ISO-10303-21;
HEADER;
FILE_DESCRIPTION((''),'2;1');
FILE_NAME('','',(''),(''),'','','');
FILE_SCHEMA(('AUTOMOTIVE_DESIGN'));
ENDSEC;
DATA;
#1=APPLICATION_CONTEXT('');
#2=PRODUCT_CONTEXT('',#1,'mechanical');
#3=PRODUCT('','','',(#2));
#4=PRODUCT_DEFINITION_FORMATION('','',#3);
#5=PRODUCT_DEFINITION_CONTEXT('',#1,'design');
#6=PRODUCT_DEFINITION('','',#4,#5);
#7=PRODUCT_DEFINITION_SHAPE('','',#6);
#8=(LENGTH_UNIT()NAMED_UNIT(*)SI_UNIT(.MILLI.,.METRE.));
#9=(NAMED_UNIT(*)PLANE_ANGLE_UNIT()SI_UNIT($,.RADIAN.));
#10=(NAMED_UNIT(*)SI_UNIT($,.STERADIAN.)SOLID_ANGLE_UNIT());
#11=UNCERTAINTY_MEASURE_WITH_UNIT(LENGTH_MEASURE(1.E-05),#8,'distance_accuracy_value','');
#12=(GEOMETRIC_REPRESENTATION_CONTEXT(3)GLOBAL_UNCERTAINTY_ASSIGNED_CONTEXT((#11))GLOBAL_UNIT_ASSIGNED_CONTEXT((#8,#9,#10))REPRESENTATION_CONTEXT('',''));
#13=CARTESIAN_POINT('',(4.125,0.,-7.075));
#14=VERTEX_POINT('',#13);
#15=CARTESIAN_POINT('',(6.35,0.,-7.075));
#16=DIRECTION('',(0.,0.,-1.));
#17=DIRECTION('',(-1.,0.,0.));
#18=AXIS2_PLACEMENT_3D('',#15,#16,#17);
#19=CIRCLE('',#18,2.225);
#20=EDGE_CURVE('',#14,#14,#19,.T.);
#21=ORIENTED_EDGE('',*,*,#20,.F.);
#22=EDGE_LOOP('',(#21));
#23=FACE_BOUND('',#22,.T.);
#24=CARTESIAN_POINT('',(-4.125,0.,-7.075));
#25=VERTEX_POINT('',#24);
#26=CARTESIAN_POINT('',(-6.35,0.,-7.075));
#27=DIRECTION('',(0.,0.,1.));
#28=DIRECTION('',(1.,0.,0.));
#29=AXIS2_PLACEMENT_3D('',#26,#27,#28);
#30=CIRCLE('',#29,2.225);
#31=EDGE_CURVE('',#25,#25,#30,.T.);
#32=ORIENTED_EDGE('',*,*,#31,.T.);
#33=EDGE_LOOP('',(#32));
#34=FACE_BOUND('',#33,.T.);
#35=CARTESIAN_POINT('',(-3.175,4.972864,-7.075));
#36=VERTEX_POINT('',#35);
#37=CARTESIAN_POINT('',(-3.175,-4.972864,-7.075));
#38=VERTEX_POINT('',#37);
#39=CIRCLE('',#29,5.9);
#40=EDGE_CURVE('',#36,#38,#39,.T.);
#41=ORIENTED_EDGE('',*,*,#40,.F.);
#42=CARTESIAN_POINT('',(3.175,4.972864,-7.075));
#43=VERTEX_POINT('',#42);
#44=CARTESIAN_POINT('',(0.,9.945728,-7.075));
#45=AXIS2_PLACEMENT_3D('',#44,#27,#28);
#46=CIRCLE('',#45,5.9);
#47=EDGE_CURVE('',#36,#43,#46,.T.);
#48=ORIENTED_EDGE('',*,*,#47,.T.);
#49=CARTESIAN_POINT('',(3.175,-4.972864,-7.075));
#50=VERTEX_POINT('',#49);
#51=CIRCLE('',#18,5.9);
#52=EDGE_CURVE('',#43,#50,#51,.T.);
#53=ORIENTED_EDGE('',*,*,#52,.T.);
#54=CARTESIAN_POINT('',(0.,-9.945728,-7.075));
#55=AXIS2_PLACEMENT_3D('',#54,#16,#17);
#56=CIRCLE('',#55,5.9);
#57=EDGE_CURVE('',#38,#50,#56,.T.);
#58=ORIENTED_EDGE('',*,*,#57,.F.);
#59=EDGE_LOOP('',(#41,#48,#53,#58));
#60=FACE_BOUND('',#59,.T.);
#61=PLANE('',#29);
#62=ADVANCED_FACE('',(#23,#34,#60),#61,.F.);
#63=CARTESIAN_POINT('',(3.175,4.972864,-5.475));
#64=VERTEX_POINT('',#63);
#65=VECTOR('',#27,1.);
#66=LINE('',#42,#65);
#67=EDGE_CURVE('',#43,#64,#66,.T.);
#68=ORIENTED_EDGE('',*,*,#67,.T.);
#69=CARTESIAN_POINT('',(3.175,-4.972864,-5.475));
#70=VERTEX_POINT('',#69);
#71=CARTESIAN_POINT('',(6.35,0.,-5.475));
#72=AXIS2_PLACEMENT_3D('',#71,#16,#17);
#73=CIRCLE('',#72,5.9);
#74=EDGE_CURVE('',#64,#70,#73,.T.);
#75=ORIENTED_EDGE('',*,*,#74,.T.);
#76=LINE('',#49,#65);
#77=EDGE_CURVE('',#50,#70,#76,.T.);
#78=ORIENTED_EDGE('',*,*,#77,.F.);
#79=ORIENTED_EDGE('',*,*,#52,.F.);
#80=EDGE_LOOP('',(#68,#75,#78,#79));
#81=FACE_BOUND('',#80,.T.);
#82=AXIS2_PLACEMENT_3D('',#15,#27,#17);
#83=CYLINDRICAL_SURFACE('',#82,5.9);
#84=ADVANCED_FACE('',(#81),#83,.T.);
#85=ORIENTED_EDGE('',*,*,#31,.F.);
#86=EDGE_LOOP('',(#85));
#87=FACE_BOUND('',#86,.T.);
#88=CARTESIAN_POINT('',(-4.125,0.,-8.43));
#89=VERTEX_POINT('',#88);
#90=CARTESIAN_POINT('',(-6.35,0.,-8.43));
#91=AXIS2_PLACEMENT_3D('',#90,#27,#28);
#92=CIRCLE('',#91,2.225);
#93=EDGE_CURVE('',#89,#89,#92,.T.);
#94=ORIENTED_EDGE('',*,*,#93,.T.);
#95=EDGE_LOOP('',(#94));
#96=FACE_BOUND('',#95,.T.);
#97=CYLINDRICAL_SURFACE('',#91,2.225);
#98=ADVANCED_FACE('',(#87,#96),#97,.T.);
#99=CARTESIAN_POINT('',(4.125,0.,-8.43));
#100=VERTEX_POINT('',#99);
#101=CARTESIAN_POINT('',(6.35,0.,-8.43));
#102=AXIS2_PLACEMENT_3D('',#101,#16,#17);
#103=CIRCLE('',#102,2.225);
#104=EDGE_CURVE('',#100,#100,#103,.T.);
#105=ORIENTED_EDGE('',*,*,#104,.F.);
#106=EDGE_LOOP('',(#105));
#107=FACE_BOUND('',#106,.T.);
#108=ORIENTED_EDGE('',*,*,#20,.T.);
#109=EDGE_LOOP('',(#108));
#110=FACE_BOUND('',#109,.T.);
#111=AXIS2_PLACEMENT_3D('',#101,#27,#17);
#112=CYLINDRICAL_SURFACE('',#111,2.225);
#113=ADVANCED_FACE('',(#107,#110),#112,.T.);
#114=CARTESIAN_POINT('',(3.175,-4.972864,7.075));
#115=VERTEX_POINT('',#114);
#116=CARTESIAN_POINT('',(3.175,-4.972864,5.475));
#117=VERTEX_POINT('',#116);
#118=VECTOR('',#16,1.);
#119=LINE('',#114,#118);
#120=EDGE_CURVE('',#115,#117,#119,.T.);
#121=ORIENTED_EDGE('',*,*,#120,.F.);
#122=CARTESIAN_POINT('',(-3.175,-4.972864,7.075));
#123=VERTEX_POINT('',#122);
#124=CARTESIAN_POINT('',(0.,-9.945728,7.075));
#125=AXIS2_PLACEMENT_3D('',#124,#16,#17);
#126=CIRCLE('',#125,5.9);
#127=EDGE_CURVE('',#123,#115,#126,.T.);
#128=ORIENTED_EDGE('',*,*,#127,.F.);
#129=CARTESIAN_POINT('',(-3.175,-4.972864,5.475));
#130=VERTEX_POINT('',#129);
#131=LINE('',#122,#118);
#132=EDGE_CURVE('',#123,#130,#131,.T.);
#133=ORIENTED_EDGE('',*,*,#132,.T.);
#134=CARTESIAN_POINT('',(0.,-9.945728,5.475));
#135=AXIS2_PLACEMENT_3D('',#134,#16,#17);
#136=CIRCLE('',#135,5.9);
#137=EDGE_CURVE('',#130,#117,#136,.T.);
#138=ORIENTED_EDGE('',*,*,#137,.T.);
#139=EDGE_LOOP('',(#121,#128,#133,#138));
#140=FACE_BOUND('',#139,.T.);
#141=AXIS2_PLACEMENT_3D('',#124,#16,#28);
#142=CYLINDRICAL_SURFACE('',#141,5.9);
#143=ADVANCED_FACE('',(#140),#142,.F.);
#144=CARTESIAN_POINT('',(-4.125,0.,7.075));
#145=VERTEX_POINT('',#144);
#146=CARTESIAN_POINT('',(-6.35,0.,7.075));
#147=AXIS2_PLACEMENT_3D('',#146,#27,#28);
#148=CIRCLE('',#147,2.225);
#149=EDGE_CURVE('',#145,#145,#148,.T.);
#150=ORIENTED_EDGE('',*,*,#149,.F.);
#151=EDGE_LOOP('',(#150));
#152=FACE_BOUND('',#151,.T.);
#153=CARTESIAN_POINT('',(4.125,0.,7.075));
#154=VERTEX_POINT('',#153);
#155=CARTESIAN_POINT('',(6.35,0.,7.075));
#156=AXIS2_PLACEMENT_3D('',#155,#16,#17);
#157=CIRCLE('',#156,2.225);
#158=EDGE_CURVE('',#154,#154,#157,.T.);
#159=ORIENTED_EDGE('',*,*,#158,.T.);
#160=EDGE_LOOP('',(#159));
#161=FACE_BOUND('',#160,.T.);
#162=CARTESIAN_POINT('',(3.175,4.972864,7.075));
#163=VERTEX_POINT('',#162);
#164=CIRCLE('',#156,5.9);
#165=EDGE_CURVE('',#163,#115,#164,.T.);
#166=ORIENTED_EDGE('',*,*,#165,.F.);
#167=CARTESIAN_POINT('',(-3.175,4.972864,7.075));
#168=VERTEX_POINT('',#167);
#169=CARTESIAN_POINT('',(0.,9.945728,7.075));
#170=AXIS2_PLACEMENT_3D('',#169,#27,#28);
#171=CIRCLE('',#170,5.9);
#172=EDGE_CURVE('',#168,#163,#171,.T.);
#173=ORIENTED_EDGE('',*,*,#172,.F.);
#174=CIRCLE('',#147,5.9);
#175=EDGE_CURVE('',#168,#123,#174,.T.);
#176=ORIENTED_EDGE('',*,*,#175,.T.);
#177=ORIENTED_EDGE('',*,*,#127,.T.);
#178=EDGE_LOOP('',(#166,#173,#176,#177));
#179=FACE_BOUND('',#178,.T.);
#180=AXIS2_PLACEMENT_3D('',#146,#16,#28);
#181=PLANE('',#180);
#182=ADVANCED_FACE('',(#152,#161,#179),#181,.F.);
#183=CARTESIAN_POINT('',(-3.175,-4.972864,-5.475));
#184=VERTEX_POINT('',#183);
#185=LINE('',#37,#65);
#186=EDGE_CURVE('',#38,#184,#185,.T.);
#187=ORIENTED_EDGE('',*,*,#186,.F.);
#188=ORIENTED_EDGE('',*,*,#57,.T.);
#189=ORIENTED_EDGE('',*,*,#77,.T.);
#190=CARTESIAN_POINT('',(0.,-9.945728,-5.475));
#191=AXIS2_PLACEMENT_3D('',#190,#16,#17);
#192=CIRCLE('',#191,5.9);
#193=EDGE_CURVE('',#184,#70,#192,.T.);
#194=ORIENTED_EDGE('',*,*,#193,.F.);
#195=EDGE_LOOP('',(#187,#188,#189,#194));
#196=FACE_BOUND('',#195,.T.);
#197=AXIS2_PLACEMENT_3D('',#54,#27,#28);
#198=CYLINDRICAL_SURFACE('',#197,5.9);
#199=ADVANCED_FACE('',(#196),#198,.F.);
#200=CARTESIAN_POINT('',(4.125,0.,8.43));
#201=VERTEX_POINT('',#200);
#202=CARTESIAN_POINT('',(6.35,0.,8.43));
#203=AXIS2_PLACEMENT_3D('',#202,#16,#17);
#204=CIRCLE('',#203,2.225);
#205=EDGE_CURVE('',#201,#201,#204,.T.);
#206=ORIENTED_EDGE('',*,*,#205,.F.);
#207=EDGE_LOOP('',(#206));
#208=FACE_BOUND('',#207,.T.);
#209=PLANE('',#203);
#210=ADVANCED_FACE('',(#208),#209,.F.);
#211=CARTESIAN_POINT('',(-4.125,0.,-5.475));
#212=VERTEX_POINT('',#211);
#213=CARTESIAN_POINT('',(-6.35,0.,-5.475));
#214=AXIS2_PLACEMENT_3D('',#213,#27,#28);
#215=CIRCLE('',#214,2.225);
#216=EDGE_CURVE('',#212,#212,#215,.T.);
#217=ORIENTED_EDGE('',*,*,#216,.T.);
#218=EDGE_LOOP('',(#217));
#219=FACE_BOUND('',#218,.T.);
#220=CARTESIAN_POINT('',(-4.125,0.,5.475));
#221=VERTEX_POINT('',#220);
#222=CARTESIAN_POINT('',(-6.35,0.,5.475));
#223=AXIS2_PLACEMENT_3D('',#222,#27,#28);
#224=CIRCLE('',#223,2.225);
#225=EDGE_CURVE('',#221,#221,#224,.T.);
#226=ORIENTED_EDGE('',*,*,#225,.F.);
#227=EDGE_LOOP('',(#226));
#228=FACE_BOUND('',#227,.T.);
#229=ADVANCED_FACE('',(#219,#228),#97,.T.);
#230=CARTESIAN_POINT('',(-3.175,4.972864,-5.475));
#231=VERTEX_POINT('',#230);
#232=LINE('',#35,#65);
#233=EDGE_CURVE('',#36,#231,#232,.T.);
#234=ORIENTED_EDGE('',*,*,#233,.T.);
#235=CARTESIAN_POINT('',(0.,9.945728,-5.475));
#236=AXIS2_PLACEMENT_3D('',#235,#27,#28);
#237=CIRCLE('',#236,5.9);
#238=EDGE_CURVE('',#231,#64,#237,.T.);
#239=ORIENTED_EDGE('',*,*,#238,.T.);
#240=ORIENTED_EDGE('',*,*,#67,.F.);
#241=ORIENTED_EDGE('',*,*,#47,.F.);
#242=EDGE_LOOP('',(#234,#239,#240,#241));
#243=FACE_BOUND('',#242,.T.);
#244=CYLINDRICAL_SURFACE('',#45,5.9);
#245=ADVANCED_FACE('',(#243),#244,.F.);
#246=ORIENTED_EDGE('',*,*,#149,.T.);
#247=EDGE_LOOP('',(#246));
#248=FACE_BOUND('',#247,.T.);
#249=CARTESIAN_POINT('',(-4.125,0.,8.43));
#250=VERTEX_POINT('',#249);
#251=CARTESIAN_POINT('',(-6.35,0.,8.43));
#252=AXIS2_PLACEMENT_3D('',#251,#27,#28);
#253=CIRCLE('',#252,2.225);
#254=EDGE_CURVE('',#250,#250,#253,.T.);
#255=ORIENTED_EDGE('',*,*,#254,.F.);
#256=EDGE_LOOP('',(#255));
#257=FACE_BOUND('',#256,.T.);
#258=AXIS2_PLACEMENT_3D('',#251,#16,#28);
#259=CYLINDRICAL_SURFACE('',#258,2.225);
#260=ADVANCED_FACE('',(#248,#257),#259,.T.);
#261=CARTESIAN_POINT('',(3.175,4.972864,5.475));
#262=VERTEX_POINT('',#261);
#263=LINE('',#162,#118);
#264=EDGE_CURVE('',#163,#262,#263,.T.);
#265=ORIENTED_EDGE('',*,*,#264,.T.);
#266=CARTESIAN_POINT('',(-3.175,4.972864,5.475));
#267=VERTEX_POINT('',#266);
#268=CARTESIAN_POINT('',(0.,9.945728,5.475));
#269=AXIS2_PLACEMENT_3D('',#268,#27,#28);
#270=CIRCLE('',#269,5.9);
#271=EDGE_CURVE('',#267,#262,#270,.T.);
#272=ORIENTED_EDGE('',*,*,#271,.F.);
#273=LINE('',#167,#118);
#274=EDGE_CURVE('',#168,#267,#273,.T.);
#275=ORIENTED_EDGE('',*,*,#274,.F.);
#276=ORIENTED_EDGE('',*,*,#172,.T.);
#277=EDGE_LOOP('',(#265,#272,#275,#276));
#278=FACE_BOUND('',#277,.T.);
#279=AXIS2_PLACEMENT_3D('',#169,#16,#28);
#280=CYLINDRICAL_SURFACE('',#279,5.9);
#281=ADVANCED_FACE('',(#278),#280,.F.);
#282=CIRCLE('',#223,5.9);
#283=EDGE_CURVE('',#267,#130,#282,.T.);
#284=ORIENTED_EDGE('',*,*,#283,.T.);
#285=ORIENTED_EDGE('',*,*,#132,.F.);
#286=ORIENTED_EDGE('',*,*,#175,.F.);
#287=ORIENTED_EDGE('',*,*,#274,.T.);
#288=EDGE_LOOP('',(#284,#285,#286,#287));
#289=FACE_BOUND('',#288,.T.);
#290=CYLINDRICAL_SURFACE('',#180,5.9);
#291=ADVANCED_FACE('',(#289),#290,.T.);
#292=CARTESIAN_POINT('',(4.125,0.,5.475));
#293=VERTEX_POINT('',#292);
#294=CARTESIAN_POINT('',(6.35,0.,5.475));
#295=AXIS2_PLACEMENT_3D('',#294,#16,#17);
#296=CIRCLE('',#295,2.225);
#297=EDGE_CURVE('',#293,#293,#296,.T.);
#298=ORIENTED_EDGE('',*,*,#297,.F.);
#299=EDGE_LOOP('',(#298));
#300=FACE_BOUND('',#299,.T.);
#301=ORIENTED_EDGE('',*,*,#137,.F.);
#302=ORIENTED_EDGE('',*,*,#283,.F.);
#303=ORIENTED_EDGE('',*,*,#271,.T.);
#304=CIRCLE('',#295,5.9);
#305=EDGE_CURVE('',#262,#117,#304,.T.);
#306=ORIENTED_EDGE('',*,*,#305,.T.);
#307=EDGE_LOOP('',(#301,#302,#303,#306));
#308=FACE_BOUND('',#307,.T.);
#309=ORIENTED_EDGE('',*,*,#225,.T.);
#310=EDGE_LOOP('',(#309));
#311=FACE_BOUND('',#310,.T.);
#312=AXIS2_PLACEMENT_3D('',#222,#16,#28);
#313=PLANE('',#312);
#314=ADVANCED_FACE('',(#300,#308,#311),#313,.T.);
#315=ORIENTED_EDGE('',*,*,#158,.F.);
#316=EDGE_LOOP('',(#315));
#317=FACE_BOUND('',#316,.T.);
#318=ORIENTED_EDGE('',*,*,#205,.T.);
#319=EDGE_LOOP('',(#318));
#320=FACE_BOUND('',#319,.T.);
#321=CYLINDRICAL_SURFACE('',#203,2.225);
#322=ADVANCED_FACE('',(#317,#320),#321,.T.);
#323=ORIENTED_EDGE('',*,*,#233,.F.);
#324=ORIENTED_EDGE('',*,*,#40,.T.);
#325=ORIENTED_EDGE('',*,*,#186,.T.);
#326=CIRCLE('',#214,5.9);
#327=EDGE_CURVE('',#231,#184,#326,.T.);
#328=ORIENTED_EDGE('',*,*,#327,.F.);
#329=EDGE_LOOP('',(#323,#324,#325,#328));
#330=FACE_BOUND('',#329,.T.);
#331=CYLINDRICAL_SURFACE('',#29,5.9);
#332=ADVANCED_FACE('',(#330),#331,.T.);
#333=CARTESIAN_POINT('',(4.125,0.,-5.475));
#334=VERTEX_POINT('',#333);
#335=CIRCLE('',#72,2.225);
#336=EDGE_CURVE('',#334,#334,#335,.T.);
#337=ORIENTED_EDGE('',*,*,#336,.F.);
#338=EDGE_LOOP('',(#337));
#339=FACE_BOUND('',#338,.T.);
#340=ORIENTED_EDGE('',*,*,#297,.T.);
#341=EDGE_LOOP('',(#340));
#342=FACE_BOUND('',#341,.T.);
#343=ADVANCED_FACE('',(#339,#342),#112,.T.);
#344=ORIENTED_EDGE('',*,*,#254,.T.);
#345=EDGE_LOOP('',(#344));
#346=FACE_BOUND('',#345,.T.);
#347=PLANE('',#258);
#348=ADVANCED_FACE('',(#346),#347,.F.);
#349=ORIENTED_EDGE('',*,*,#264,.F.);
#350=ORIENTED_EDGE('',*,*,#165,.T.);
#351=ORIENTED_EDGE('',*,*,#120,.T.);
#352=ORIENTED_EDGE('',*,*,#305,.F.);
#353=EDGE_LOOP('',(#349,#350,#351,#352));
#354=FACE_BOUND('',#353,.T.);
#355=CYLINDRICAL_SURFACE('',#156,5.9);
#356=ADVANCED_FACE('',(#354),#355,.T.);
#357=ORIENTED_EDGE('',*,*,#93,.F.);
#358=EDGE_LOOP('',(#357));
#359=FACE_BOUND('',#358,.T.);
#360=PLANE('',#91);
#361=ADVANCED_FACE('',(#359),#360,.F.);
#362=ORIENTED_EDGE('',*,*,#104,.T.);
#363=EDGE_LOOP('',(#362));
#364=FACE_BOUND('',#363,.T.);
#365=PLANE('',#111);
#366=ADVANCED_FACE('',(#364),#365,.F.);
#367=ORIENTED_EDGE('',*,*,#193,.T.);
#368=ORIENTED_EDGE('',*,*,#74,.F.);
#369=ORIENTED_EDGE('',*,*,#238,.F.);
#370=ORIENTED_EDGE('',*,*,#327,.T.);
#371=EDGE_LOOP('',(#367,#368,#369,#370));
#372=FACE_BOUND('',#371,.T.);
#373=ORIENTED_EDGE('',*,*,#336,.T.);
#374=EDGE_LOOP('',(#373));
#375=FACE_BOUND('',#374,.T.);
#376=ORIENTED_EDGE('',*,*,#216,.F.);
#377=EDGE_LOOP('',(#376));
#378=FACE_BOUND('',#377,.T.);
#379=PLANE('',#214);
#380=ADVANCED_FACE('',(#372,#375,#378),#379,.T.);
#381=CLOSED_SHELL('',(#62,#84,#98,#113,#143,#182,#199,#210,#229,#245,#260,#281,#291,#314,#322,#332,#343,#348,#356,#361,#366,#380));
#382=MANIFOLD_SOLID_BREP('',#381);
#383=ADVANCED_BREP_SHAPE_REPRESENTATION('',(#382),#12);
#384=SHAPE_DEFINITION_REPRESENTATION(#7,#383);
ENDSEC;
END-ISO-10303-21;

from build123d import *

# Parameters (mm, degrees)
EXTRUDE_START   = -5.475
EXTRUDE_1_DEPTH = 1.6
SKETCH_1_3_R    = 2.225
EXTRUDE_2_DEPTH = 8.43


with BuildPart() as part:
    # Эскиз1 → Бобышка-Вытянуть1 (new body)
    with BuildSketch(Plane.XY.offset(EXTRUDE_START)):
        with BuildLine():
            Line((0, 4.045727726), (0, -4.045727726))
            ThreePointArc((0, -4.045727726), (-1.653799143, -4.282252786), (-3.175, -4.972863863))
            ThreePointArc((-3.175, -4.972863863), (-12.25, 0), (-3.175, 4.972863863))
            ThreePointArc((-3.175, 4.972863863), (-1.653799143, 4.282252786), (0, 4.045727726))
        make_face()
    extrude(amount=-EXTRUDE_1_DEPTH)

    # Эскиз1<3> → Бобышка-Вытянуть2 (add)
    with BuildSketch(Plane.XY):
        with Locations((-6.35, 0)):
            Circle(SKETCH_1_3_R)
    extrude(amount=-EXTRUDE_2_DEPTH)

    # Зеркальное отражение1: part across plane


with BuildPart() as part_1:
    add(part.part)
    add(part.part.mirror(Plane(origin=(0, 0, 0), x_dir=(0, 0, 1), z_dir=(1, 0, 0))))

    # Зеркальное отражение2: part across plane


with BuildPart() as part_2:
    add(part_1.part)
    add(part_1.part.mirror(Plane.XY))


solid = part_2.part
